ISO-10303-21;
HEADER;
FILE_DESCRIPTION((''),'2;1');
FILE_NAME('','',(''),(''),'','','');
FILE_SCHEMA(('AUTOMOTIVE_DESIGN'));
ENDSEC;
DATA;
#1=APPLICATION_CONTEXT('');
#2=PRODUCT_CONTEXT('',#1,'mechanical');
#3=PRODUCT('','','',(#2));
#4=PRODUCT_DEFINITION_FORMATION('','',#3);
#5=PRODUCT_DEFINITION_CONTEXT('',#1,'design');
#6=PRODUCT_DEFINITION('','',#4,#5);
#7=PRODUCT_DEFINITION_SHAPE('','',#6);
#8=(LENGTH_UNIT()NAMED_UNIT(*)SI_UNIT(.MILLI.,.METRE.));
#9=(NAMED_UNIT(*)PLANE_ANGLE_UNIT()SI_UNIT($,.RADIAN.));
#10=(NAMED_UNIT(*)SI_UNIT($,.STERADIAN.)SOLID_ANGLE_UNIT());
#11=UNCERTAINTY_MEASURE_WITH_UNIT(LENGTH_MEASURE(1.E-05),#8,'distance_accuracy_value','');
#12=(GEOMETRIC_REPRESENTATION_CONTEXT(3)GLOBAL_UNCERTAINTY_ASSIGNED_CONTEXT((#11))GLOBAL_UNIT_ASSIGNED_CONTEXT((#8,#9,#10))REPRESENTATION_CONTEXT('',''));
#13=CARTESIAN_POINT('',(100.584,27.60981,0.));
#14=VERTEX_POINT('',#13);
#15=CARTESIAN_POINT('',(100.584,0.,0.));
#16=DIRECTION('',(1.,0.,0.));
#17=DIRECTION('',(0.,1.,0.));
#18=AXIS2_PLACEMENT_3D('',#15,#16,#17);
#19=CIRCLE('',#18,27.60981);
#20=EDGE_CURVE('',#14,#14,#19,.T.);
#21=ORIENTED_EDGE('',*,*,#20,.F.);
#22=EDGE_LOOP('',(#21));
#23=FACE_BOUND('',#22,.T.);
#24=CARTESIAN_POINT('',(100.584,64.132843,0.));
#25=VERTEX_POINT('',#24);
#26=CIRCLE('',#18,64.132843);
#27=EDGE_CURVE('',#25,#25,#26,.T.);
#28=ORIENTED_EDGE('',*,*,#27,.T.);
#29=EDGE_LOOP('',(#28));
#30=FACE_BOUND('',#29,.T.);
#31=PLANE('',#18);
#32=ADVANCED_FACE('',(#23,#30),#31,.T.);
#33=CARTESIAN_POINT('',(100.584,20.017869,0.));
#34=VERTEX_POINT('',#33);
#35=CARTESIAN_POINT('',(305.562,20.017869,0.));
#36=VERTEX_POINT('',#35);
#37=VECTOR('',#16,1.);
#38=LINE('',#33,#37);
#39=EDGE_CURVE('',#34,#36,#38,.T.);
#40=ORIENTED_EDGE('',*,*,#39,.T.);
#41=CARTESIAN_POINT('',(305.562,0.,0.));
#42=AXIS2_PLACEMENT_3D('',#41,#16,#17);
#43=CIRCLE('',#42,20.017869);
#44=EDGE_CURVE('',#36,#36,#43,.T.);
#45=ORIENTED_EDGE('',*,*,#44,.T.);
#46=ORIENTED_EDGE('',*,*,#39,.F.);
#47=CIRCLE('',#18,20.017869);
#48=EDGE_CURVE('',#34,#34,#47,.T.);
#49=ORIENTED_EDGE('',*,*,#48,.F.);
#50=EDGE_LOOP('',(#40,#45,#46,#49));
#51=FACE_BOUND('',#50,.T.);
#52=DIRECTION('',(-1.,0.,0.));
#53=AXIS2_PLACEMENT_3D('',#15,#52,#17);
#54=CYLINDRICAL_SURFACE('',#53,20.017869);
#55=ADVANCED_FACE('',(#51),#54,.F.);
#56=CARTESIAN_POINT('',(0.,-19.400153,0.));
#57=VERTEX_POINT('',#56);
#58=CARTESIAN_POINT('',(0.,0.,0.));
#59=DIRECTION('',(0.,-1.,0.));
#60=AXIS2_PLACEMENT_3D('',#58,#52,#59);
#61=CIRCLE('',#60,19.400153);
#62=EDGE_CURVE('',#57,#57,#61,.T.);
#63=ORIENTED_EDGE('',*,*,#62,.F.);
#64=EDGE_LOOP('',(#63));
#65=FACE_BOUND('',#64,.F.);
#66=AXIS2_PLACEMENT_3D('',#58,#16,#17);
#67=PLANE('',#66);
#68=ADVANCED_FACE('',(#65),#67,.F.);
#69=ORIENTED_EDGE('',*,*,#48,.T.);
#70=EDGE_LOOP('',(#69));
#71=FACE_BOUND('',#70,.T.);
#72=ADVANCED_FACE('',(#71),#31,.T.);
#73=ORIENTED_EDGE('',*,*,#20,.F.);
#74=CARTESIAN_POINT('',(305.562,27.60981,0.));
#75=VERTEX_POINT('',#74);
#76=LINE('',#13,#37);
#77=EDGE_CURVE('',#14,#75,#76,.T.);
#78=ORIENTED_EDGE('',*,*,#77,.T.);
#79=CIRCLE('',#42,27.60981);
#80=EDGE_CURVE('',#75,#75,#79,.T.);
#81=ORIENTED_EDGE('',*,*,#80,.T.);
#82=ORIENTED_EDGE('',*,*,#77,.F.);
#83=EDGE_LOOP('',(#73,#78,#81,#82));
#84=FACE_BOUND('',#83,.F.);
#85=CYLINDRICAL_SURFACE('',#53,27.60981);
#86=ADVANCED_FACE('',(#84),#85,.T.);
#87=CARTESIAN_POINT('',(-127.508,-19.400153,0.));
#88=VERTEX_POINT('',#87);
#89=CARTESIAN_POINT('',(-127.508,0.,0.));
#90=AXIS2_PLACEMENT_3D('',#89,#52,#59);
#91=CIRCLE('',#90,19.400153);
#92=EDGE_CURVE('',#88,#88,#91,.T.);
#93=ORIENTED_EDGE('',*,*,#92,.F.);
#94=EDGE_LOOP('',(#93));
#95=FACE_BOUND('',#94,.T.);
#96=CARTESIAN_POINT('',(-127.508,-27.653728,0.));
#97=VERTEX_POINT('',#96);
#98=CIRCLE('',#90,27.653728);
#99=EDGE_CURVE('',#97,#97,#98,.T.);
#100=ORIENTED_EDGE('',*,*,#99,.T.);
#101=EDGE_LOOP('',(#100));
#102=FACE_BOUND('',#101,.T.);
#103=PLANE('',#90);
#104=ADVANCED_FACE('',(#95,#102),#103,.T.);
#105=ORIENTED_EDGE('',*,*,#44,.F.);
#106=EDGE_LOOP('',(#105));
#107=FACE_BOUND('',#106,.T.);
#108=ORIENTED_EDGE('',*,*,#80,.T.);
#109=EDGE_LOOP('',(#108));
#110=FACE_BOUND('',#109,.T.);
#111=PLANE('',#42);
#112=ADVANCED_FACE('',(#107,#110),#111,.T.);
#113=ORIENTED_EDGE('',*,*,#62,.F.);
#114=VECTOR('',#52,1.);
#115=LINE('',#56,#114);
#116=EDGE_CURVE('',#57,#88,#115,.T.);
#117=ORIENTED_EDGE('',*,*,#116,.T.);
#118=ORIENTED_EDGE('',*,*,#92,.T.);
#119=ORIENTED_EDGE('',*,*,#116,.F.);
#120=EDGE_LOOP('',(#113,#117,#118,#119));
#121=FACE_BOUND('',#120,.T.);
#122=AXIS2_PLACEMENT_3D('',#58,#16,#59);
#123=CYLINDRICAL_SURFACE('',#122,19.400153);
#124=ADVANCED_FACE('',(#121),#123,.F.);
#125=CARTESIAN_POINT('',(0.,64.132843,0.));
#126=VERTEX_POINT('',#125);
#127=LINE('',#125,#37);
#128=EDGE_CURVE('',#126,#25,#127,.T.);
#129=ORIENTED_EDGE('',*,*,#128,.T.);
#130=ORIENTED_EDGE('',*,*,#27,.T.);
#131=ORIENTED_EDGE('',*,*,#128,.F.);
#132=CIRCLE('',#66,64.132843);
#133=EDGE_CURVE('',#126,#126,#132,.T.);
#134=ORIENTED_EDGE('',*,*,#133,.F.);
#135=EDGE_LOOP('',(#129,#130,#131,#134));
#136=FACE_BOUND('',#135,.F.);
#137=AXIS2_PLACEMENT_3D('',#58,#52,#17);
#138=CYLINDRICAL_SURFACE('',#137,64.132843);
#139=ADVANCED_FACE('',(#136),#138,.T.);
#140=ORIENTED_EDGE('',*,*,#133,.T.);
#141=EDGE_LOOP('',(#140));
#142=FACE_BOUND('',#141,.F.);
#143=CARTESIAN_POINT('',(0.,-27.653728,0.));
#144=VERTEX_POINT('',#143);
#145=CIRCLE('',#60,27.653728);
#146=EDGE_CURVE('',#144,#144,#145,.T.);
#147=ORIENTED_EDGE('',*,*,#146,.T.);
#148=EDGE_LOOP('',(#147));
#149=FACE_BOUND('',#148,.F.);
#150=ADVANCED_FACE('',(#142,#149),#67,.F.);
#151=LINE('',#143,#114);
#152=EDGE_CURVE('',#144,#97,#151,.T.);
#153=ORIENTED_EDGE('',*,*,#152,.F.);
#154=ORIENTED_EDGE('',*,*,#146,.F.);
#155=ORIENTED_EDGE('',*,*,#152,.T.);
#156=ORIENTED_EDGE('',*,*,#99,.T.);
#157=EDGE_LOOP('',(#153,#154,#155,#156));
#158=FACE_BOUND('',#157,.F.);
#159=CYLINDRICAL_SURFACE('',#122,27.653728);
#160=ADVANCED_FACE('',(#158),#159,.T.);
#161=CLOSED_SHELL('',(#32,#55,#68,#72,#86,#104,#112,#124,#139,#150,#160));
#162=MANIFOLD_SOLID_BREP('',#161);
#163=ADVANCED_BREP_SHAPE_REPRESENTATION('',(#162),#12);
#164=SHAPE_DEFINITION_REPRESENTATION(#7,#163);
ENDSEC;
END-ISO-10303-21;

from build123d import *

# Parameters (mm, degrees)
F0_R     = 64.132843
F1_DEPTH = 100.584
F2_R     = 27.60981
F2_R_2   = 20.017869
F3_DEPTH = 204.978
F4_R     = 27.653728
F4_R_2   = 19.400153
F5_DEPTH = 127.508


with BuildPart() as f1:
    # F0 (on Right) → F1 (new body)
    with BuildSketch(Plane.YZ):
        Circle(F0_R)
    extrude(amount=F1_DEPTH)

    # F2 (on face) → F3 (join)
    with BuildSketch(Plane.YZ.offset(100.584)):
        Circle(F2_R)
        Circle(F2_R_2, mode=Mode.SUBTRACT)
    extrude(amount=F3_DEPTH)

    # F4 (on face) → F5 (join)
    with BuildSketch(Plane(origin=(0, 0, 0), x_dir=(0, -1, 0), z_dir=(-1, 0, 0))):
        Circle(F4_R)
        Circle(F4_R_2, mode=Mode.SUBTRACT)
    extrude(amount=F5_DEPTH)


solid = f1.part
